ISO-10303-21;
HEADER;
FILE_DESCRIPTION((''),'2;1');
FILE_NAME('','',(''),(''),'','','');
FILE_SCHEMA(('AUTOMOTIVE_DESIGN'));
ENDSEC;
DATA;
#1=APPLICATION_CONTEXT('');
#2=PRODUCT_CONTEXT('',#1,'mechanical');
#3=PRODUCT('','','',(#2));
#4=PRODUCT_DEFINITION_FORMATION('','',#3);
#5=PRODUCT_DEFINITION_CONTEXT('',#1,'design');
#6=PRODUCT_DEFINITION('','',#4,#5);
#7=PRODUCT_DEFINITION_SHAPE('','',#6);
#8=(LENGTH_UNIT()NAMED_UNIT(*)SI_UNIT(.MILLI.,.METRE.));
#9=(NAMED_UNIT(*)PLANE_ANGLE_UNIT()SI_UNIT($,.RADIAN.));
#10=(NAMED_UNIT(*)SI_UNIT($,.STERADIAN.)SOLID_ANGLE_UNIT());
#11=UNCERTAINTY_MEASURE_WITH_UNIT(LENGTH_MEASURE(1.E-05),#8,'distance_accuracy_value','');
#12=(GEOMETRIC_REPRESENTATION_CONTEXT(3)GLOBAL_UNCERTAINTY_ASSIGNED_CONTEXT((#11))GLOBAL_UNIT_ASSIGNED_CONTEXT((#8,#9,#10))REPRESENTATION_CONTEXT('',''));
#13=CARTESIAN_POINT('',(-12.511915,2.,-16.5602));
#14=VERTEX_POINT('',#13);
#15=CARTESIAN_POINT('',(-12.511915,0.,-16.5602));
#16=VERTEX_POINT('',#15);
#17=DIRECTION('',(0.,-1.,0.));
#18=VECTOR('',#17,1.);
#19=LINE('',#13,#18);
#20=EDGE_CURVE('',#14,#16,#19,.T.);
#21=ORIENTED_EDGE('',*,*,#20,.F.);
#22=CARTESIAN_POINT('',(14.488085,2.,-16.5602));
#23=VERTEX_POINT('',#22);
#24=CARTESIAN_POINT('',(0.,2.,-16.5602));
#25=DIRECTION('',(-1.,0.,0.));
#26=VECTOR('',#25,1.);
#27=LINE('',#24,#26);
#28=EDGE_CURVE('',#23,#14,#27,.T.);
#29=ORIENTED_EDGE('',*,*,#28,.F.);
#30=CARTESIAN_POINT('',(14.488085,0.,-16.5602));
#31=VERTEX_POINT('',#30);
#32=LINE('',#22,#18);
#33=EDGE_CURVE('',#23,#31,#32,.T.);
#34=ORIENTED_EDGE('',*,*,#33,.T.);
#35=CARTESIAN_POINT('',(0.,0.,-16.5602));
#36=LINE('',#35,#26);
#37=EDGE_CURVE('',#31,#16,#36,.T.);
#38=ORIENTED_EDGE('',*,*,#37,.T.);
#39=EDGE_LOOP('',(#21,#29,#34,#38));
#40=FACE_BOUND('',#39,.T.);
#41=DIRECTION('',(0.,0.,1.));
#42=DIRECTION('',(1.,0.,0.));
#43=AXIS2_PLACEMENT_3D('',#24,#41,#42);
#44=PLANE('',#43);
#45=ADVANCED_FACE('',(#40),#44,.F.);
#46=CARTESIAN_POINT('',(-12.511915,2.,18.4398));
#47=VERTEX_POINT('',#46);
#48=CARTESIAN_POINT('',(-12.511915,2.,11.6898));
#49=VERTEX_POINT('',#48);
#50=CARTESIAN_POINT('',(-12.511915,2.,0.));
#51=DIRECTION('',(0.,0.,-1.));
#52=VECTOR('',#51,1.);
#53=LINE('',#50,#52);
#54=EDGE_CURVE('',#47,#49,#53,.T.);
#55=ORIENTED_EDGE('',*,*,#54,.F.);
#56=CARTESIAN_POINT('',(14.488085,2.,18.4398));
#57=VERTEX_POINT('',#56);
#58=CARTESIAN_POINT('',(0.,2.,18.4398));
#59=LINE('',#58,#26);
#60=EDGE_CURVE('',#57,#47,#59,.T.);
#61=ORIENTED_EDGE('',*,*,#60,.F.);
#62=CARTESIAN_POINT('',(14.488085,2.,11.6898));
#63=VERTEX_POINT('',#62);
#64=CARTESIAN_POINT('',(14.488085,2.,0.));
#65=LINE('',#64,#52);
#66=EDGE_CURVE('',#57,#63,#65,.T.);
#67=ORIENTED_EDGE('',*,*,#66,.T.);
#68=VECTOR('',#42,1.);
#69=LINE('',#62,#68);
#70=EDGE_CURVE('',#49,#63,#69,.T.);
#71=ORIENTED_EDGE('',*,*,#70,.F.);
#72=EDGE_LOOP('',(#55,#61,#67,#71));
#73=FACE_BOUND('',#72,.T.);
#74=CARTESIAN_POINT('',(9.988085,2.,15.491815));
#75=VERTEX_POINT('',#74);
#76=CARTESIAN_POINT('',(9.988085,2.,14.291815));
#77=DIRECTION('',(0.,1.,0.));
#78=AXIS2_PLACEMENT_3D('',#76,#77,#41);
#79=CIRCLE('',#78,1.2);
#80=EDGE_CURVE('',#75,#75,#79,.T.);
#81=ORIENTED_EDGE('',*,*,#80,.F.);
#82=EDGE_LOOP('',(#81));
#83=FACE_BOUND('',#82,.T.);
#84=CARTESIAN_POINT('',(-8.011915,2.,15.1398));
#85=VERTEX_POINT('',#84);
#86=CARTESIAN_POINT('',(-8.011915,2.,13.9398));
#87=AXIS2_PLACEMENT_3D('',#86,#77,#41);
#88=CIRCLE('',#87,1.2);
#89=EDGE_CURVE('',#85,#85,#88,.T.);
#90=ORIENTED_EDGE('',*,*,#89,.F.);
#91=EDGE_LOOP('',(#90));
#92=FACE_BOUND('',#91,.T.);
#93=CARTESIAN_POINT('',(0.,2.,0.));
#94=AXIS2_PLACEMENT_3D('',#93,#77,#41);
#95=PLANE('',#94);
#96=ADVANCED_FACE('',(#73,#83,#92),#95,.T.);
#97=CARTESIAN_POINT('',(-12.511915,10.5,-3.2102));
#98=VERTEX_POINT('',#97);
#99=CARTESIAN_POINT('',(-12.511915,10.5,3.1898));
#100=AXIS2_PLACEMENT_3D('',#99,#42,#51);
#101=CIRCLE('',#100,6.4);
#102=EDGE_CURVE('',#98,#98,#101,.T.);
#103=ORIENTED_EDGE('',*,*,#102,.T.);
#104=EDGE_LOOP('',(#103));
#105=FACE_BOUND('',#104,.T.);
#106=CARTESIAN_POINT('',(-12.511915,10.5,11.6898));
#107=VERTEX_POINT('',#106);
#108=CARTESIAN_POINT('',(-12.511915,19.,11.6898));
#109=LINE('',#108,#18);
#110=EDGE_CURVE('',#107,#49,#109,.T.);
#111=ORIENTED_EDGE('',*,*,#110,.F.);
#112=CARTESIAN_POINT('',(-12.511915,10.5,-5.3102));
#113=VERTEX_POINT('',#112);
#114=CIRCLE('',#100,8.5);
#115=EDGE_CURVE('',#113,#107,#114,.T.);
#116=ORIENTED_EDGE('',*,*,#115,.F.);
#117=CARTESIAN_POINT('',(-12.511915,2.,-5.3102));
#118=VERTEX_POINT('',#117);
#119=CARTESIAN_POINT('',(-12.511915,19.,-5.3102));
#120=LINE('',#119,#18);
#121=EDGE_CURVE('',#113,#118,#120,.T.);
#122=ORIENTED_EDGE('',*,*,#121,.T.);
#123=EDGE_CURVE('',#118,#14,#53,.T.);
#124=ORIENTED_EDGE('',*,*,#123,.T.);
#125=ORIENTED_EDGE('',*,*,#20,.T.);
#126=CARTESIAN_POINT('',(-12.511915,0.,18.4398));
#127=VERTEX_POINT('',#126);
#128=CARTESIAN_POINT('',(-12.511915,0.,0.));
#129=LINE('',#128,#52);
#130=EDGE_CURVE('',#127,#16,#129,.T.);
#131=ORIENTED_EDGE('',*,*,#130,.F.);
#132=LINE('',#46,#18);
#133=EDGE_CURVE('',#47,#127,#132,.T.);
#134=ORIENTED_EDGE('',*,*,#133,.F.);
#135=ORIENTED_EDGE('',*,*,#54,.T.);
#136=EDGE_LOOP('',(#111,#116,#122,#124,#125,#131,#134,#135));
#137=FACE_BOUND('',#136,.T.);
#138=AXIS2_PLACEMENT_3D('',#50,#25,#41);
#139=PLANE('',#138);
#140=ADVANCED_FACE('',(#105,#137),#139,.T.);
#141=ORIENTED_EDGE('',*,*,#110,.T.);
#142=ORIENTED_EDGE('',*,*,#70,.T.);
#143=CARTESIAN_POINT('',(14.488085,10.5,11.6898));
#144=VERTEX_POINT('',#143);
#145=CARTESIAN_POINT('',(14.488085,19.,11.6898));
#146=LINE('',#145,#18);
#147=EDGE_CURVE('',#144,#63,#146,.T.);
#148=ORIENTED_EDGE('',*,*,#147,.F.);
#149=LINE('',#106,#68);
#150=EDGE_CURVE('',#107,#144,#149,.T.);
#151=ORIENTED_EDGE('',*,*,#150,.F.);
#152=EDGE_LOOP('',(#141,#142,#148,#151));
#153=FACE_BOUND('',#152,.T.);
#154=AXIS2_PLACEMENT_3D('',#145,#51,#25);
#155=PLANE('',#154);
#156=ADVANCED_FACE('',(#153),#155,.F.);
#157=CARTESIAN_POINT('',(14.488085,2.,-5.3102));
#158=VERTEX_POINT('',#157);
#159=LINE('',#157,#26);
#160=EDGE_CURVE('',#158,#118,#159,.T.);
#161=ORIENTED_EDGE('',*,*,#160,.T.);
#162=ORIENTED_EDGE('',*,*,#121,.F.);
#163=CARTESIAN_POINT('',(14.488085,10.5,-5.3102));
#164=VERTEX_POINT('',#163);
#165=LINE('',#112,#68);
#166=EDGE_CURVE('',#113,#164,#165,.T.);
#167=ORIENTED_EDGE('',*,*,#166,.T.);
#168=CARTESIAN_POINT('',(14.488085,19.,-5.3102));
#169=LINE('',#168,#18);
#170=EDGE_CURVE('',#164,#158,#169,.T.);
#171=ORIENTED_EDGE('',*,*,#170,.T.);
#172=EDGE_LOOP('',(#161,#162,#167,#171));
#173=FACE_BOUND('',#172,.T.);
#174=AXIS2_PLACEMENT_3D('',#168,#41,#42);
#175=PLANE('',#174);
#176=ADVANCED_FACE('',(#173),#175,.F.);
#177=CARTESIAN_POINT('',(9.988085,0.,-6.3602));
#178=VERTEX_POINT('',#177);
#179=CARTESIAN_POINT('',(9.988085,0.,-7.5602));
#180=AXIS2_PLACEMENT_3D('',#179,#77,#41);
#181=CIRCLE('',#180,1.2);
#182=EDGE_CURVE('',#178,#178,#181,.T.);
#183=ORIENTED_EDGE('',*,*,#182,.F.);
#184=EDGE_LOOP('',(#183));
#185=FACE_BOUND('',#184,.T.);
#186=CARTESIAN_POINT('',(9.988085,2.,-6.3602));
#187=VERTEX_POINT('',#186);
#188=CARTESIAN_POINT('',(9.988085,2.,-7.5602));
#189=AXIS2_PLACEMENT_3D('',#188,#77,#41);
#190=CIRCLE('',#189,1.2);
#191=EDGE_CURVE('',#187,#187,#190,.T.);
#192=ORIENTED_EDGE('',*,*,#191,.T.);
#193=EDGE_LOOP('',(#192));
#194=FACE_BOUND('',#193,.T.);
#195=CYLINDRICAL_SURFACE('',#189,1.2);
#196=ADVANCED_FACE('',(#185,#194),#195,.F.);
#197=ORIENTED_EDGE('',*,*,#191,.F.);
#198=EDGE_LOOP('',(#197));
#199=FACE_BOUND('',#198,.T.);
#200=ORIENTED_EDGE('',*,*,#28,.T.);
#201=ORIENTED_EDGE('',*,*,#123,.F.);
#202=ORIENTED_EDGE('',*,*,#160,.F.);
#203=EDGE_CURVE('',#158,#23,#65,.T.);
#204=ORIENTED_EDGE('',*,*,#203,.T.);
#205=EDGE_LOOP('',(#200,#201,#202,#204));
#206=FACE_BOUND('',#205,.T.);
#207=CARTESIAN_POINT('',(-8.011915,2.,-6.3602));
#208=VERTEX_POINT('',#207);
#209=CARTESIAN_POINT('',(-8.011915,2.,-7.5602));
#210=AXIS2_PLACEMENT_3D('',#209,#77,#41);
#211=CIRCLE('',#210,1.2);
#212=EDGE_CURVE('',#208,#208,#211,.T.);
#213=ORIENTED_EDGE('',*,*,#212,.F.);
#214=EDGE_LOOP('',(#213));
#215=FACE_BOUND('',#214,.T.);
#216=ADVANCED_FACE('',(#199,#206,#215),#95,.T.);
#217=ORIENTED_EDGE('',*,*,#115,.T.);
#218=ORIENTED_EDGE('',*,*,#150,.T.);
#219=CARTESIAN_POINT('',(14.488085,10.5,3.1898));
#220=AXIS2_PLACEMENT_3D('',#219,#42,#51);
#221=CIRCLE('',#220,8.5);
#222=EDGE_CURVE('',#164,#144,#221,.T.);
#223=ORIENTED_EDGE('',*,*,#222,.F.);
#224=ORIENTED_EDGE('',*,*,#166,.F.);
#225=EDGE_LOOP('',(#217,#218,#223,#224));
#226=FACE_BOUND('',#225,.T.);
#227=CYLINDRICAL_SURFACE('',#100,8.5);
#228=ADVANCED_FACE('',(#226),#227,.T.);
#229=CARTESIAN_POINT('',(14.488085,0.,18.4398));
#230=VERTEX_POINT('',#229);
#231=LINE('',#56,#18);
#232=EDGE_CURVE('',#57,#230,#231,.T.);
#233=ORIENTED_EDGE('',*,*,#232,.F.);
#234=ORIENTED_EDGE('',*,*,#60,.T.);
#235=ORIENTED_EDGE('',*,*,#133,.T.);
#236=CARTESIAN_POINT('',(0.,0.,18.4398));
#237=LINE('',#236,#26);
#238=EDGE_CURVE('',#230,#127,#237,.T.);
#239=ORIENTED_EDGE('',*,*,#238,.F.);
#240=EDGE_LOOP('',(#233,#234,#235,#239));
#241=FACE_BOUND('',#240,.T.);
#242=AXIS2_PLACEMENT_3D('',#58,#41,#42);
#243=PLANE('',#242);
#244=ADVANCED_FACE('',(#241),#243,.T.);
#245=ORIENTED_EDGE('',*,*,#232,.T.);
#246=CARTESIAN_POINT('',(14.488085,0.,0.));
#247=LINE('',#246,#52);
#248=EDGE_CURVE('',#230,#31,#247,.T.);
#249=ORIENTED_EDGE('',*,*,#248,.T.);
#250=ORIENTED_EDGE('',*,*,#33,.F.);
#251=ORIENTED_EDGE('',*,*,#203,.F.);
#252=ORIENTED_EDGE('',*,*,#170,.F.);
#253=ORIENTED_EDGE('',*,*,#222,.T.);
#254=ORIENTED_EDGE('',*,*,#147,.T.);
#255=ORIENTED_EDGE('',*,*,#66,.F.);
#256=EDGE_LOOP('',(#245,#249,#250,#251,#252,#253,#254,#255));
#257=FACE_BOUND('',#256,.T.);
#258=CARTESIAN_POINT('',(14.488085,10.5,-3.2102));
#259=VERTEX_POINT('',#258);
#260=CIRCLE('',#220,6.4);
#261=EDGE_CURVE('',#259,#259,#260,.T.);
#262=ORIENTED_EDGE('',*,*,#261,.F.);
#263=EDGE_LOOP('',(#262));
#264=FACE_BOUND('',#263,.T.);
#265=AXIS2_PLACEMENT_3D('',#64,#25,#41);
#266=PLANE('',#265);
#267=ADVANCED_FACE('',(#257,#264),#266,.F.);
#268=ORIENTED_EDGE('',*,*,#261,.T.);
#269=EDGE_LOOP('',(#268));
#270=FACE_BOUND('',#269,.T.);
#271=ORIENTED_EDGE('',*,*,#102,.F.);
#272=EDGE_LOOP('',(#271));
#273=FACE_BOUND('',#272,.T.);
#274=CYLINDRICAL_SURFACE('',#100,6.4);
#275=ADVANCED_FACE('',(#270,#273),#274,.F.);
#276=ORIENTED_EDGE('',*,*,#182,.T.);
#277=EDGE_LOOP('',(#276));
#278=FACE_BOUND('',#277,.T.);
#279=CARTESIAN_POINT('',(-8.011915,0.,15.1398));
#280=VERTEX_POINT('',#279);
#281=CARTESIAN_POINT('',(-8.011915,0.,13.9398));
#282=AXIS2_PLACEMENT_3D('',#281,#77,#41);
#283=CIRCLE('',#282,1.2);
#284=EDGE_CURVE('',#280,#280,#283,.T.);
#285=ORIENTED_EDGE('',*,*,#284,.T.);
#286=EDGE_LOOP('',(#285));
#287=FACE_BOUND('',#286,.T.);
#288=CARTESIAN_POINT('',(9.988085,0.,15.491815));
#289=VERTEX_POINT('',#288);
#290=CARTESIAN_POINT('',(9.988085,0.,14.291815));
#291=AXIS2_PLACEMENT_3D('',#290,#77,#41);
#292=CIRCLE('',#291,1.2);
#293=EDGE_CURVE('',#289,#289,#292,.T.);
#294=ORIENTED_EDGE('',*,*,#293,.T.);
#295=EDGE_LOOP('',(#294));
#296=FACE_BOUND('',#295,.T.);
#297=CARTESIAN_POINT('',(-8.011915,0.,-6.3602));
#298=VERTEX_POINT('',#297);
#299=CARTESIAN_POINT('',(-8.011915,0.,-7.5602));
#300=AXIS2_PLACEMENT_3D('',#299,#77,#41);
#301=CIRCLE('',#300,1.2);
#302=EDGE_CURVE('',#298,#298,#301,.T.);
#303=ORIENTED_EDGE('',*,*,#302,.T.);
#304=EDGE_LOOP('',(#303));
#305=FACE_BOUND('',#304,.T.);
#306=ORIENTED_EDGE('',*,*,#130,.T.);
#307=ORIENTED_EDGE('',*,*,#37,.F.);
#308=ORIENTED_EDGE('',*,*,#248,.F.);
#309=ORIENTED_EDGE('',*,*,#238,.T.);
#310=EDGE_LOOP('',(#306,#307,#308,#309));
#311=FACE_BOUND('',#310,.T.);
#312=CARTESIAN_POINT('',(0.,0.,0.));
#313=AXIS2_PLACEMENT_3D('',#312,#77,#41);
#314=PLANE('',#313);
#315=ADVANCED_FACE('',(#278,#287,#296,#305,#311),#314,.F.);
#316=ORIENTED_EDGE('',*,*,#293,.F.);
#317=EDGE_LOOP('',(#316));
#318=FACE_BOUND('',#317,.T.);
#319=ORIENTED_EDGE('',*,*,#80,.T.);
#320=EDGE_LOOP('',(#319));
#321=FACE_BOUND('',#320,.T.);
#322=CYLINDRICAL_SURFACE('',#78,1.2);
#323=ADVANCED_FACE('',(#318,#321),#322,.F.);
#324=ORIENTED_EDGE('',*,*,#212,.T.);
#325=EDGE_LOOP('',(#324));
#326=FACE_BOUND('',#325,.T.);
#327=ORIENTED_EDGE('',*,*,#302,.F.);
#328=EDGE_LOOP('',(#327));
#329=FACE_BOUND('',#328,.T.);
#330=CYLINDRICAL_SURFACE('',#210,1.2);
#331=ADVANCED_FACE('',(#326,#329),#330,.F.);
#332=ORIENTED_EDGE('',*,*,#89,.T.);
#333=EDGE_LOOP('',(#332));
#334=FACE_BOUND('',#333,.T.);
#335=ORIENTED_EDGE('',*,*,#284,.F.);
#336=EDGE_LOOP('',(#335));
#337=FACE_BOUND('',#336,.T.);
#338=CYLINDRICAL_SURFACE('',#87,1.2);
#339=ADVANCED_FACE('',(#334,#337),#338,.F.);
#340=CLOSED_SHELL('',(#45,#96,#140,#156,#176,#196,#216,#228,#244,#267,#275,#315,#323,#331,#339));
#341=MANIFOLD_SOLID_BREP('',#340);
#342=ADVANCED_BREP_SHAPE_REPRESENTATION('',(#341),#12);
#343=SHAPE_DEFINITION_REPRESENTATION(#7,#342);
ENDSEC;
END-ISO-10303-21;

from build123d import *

# Parameters (mm, degrees)
SKETCH1_W            = 27
SKETCH1_H            = 35
SKETCH1_R            = 1.113712744
SKETCH1_R_2          = 1.000106258
SKETCH1_R_3          = 1.174626552
SKETCH1_R_4          = 1.19920455
SKETCH1_W_2          = 8.3
SKETCH1_H_2          = 2.12
BOSS_EXTRUDE1_DEPTH  = 2
M2_CLEARANCE_HOLE2_D = 2.4
SKETCH13_W           = 27
SKETCH13_H           = 17
BOSS_EXTRUDE6_DEPTH  = 17
SKETCH14_R           = 6.4
CUT_EXTRUDE3_DEPTH   = 38.815687555


with BuildPart() as part:
    # Sketch1 → Boss-Extrude1 (new body)
    # profile 1 of 8: a face of its own
    with BuildSketch(Plane(origin=(0, 0, 0), x_dir=(1, 0, 0), z_dir=(0, 1, 0))):
        with Locations((0.988085162, -0.939800033)):
            Rectangle(SKETCH1_W, SKETCH1_H)
        Polygon((-10.011914838, -15.939800033), (-10.011914838, 14.060199967), (11.988085162, 14.060199967), (11.988085162, -15.939800033), (5.138085162, -15.939800033), (5.138085162, -18.059800033), (-3.161914838, -18.059800033), (-3.161914838, -15.939800033), align=None, mode=Mode.SUBTRACT)
    # profile 2 of 8: a face of its own
    with BuildSketch(Plane(origin=(0, 0, 0), x_dir=(1, 0, 0), z_dir=(0, 1, 0))):
        Polygon((11.988085162, 14.060199967), (-10.011914838, 14.060199967), (-10.011914838, -15.939800033), (-3.161914838, -15.939800033), (-3.161914838, -13.819800033), (5.138085162, -13.819800033), (5.138085162, -15.939800033), (11.988085162, -15.939800033), align=None)
        with Locations((-8.011914838, -13.939800033)):
            Circle(SKETCH1_R, mode=Mode.SUBTRACT)
        with Locations((9.988085162, -14.291814947)):
            Circle(SKETCH1_R_2, mode=Mode.SUBTRACT)
        with Locations((-8.011914838, 7.560199967)):
            Circle(SKETCH1_R_3, mode=Mode.SUBTRACT)
        with Locations((9.988085162, 7.560199967)):
            Circle(SKETCH1_R_4, mode=Mode.SUBTRACT)
    # profile 3 of 8: a face of its own
    with BuildSketch(Plane(origin=(0, 0, 0), x_dir=(1, 0, 0), z_dir=(0, 1, 0))):
        with Locations((-8.011914838, 7.560199967)):
            Circle(SKETCH1_R_3)
    # profile 4 of 8: a face of its own
    with BuildSketch(Plane(origin=(0, 0, 0), x_dir=(1, 0, 0), z_dir=(0, 1, 0))):
        with Locations((9.988085162, 7.560199967)):
            Circle(SKETCH1_R_4)
    # profile 5 of 8: a face of its own
    with BuildSketch(Plane(origin=(0, 0, 0), x_dir=(1, 0, 0), z_dir=(0, 1, 0))):
        with Locations((9.988085162, -14.291814947)):
            Circle(SKETCH1_R_2)
    # profile 6 of 8: a face of its own
    with BuildSketch(Plane(origin=(0, 0, 0), x_dir=(1, 0, 0), z_dir=(0, 1, 0))):
        with Locations((0.988085162, -16.999800033)):
            Rectangle(SKETCH1_W_2, SKETCH1_H_2)
    # profile 7 of 8: a face of its own
    with BuildSketch(Plane(origin=(0, 0, 0), x_dir=(1, 0, 0), z_dir=(0, 1, 0))):
        with Locations((0.988085162, -14.879800033)):
            Rectangle(SKETCH1_W_2, SKETCH1_H_2)
    # profile 8 of 8: a face of its own
    with BuildSketch(Plane(origin=(0, 0, 0), x_dir=(1, 0, 0), z_dir=(0, 1, 0))):
        with Locations((-8.011914838, -13.939800033)):
            Circle(SKETCH1_R)
    extrude(amount=BOSS_EXTRUDE1_DEPTH)

    # M2 Clearance Hole2 (through all)
    with Locations(Plane(origin=(0, 2, 0), x_dir=(1, 0, 0), z_dir=(0, 1, 0))):
        with Locations((-8.011914838, 7.560199967), (9.988085162, 7.560199967), (-8.011914838, -13.939800033), (9.988085162, -14.291814947)):
            Hole(M2_CLEARANCE_HOLE2_D / 2)

    # Sketch13 → Boss-Extrude6 (add)
    with BuildSketch(Plane(origin=(0, 2, 0), x_dir=(1, 0, 0), z_dir=(0, 1, 0))):
        with Locations((0.988085162, -3.189800033)):
            Rectangle(SKETCH13_W, SKETCH13_H)
    extrude(amount=BOSS_EXTRUDE6_DEPTH)

    # Sketch14 → Cut-Extrude3 (cut, through all)
    with BuildSketch(Plane(origin=(14.488085162, 0, 0), x_dir=(0, 0, -1), z_dir=(1, 0, 0))):
        with Locations((-3.189800033, 10.5)):
            Circle(SKETCH14_R)
        with BuildLine():
            Line((5.310199967, 19), (-3.189800009, 19))
            ThreePointArc((-3.189800009, 19), (2.820607616, 16.510407631), (5.310199967, 10.5))
            Line((5.310199967, 10.5), (5.310199967, 19))
        make_face()
        with BuildLine():
            Line((-3.189800009, 19), (-11.689800033, 19))
            Line((-11.689800033, 19), (-11.689800033, 10.50000002))
            ThreePointArc((-11.689800033, 10.50000002), (-9.200207658, 16.510407656), (-3.189800009, 19))
        make_face()
    extrude(amount=-CUT_EXTRUDE3_DEPTH, mode=Mode.SUBTRACT)


solid = part.part
